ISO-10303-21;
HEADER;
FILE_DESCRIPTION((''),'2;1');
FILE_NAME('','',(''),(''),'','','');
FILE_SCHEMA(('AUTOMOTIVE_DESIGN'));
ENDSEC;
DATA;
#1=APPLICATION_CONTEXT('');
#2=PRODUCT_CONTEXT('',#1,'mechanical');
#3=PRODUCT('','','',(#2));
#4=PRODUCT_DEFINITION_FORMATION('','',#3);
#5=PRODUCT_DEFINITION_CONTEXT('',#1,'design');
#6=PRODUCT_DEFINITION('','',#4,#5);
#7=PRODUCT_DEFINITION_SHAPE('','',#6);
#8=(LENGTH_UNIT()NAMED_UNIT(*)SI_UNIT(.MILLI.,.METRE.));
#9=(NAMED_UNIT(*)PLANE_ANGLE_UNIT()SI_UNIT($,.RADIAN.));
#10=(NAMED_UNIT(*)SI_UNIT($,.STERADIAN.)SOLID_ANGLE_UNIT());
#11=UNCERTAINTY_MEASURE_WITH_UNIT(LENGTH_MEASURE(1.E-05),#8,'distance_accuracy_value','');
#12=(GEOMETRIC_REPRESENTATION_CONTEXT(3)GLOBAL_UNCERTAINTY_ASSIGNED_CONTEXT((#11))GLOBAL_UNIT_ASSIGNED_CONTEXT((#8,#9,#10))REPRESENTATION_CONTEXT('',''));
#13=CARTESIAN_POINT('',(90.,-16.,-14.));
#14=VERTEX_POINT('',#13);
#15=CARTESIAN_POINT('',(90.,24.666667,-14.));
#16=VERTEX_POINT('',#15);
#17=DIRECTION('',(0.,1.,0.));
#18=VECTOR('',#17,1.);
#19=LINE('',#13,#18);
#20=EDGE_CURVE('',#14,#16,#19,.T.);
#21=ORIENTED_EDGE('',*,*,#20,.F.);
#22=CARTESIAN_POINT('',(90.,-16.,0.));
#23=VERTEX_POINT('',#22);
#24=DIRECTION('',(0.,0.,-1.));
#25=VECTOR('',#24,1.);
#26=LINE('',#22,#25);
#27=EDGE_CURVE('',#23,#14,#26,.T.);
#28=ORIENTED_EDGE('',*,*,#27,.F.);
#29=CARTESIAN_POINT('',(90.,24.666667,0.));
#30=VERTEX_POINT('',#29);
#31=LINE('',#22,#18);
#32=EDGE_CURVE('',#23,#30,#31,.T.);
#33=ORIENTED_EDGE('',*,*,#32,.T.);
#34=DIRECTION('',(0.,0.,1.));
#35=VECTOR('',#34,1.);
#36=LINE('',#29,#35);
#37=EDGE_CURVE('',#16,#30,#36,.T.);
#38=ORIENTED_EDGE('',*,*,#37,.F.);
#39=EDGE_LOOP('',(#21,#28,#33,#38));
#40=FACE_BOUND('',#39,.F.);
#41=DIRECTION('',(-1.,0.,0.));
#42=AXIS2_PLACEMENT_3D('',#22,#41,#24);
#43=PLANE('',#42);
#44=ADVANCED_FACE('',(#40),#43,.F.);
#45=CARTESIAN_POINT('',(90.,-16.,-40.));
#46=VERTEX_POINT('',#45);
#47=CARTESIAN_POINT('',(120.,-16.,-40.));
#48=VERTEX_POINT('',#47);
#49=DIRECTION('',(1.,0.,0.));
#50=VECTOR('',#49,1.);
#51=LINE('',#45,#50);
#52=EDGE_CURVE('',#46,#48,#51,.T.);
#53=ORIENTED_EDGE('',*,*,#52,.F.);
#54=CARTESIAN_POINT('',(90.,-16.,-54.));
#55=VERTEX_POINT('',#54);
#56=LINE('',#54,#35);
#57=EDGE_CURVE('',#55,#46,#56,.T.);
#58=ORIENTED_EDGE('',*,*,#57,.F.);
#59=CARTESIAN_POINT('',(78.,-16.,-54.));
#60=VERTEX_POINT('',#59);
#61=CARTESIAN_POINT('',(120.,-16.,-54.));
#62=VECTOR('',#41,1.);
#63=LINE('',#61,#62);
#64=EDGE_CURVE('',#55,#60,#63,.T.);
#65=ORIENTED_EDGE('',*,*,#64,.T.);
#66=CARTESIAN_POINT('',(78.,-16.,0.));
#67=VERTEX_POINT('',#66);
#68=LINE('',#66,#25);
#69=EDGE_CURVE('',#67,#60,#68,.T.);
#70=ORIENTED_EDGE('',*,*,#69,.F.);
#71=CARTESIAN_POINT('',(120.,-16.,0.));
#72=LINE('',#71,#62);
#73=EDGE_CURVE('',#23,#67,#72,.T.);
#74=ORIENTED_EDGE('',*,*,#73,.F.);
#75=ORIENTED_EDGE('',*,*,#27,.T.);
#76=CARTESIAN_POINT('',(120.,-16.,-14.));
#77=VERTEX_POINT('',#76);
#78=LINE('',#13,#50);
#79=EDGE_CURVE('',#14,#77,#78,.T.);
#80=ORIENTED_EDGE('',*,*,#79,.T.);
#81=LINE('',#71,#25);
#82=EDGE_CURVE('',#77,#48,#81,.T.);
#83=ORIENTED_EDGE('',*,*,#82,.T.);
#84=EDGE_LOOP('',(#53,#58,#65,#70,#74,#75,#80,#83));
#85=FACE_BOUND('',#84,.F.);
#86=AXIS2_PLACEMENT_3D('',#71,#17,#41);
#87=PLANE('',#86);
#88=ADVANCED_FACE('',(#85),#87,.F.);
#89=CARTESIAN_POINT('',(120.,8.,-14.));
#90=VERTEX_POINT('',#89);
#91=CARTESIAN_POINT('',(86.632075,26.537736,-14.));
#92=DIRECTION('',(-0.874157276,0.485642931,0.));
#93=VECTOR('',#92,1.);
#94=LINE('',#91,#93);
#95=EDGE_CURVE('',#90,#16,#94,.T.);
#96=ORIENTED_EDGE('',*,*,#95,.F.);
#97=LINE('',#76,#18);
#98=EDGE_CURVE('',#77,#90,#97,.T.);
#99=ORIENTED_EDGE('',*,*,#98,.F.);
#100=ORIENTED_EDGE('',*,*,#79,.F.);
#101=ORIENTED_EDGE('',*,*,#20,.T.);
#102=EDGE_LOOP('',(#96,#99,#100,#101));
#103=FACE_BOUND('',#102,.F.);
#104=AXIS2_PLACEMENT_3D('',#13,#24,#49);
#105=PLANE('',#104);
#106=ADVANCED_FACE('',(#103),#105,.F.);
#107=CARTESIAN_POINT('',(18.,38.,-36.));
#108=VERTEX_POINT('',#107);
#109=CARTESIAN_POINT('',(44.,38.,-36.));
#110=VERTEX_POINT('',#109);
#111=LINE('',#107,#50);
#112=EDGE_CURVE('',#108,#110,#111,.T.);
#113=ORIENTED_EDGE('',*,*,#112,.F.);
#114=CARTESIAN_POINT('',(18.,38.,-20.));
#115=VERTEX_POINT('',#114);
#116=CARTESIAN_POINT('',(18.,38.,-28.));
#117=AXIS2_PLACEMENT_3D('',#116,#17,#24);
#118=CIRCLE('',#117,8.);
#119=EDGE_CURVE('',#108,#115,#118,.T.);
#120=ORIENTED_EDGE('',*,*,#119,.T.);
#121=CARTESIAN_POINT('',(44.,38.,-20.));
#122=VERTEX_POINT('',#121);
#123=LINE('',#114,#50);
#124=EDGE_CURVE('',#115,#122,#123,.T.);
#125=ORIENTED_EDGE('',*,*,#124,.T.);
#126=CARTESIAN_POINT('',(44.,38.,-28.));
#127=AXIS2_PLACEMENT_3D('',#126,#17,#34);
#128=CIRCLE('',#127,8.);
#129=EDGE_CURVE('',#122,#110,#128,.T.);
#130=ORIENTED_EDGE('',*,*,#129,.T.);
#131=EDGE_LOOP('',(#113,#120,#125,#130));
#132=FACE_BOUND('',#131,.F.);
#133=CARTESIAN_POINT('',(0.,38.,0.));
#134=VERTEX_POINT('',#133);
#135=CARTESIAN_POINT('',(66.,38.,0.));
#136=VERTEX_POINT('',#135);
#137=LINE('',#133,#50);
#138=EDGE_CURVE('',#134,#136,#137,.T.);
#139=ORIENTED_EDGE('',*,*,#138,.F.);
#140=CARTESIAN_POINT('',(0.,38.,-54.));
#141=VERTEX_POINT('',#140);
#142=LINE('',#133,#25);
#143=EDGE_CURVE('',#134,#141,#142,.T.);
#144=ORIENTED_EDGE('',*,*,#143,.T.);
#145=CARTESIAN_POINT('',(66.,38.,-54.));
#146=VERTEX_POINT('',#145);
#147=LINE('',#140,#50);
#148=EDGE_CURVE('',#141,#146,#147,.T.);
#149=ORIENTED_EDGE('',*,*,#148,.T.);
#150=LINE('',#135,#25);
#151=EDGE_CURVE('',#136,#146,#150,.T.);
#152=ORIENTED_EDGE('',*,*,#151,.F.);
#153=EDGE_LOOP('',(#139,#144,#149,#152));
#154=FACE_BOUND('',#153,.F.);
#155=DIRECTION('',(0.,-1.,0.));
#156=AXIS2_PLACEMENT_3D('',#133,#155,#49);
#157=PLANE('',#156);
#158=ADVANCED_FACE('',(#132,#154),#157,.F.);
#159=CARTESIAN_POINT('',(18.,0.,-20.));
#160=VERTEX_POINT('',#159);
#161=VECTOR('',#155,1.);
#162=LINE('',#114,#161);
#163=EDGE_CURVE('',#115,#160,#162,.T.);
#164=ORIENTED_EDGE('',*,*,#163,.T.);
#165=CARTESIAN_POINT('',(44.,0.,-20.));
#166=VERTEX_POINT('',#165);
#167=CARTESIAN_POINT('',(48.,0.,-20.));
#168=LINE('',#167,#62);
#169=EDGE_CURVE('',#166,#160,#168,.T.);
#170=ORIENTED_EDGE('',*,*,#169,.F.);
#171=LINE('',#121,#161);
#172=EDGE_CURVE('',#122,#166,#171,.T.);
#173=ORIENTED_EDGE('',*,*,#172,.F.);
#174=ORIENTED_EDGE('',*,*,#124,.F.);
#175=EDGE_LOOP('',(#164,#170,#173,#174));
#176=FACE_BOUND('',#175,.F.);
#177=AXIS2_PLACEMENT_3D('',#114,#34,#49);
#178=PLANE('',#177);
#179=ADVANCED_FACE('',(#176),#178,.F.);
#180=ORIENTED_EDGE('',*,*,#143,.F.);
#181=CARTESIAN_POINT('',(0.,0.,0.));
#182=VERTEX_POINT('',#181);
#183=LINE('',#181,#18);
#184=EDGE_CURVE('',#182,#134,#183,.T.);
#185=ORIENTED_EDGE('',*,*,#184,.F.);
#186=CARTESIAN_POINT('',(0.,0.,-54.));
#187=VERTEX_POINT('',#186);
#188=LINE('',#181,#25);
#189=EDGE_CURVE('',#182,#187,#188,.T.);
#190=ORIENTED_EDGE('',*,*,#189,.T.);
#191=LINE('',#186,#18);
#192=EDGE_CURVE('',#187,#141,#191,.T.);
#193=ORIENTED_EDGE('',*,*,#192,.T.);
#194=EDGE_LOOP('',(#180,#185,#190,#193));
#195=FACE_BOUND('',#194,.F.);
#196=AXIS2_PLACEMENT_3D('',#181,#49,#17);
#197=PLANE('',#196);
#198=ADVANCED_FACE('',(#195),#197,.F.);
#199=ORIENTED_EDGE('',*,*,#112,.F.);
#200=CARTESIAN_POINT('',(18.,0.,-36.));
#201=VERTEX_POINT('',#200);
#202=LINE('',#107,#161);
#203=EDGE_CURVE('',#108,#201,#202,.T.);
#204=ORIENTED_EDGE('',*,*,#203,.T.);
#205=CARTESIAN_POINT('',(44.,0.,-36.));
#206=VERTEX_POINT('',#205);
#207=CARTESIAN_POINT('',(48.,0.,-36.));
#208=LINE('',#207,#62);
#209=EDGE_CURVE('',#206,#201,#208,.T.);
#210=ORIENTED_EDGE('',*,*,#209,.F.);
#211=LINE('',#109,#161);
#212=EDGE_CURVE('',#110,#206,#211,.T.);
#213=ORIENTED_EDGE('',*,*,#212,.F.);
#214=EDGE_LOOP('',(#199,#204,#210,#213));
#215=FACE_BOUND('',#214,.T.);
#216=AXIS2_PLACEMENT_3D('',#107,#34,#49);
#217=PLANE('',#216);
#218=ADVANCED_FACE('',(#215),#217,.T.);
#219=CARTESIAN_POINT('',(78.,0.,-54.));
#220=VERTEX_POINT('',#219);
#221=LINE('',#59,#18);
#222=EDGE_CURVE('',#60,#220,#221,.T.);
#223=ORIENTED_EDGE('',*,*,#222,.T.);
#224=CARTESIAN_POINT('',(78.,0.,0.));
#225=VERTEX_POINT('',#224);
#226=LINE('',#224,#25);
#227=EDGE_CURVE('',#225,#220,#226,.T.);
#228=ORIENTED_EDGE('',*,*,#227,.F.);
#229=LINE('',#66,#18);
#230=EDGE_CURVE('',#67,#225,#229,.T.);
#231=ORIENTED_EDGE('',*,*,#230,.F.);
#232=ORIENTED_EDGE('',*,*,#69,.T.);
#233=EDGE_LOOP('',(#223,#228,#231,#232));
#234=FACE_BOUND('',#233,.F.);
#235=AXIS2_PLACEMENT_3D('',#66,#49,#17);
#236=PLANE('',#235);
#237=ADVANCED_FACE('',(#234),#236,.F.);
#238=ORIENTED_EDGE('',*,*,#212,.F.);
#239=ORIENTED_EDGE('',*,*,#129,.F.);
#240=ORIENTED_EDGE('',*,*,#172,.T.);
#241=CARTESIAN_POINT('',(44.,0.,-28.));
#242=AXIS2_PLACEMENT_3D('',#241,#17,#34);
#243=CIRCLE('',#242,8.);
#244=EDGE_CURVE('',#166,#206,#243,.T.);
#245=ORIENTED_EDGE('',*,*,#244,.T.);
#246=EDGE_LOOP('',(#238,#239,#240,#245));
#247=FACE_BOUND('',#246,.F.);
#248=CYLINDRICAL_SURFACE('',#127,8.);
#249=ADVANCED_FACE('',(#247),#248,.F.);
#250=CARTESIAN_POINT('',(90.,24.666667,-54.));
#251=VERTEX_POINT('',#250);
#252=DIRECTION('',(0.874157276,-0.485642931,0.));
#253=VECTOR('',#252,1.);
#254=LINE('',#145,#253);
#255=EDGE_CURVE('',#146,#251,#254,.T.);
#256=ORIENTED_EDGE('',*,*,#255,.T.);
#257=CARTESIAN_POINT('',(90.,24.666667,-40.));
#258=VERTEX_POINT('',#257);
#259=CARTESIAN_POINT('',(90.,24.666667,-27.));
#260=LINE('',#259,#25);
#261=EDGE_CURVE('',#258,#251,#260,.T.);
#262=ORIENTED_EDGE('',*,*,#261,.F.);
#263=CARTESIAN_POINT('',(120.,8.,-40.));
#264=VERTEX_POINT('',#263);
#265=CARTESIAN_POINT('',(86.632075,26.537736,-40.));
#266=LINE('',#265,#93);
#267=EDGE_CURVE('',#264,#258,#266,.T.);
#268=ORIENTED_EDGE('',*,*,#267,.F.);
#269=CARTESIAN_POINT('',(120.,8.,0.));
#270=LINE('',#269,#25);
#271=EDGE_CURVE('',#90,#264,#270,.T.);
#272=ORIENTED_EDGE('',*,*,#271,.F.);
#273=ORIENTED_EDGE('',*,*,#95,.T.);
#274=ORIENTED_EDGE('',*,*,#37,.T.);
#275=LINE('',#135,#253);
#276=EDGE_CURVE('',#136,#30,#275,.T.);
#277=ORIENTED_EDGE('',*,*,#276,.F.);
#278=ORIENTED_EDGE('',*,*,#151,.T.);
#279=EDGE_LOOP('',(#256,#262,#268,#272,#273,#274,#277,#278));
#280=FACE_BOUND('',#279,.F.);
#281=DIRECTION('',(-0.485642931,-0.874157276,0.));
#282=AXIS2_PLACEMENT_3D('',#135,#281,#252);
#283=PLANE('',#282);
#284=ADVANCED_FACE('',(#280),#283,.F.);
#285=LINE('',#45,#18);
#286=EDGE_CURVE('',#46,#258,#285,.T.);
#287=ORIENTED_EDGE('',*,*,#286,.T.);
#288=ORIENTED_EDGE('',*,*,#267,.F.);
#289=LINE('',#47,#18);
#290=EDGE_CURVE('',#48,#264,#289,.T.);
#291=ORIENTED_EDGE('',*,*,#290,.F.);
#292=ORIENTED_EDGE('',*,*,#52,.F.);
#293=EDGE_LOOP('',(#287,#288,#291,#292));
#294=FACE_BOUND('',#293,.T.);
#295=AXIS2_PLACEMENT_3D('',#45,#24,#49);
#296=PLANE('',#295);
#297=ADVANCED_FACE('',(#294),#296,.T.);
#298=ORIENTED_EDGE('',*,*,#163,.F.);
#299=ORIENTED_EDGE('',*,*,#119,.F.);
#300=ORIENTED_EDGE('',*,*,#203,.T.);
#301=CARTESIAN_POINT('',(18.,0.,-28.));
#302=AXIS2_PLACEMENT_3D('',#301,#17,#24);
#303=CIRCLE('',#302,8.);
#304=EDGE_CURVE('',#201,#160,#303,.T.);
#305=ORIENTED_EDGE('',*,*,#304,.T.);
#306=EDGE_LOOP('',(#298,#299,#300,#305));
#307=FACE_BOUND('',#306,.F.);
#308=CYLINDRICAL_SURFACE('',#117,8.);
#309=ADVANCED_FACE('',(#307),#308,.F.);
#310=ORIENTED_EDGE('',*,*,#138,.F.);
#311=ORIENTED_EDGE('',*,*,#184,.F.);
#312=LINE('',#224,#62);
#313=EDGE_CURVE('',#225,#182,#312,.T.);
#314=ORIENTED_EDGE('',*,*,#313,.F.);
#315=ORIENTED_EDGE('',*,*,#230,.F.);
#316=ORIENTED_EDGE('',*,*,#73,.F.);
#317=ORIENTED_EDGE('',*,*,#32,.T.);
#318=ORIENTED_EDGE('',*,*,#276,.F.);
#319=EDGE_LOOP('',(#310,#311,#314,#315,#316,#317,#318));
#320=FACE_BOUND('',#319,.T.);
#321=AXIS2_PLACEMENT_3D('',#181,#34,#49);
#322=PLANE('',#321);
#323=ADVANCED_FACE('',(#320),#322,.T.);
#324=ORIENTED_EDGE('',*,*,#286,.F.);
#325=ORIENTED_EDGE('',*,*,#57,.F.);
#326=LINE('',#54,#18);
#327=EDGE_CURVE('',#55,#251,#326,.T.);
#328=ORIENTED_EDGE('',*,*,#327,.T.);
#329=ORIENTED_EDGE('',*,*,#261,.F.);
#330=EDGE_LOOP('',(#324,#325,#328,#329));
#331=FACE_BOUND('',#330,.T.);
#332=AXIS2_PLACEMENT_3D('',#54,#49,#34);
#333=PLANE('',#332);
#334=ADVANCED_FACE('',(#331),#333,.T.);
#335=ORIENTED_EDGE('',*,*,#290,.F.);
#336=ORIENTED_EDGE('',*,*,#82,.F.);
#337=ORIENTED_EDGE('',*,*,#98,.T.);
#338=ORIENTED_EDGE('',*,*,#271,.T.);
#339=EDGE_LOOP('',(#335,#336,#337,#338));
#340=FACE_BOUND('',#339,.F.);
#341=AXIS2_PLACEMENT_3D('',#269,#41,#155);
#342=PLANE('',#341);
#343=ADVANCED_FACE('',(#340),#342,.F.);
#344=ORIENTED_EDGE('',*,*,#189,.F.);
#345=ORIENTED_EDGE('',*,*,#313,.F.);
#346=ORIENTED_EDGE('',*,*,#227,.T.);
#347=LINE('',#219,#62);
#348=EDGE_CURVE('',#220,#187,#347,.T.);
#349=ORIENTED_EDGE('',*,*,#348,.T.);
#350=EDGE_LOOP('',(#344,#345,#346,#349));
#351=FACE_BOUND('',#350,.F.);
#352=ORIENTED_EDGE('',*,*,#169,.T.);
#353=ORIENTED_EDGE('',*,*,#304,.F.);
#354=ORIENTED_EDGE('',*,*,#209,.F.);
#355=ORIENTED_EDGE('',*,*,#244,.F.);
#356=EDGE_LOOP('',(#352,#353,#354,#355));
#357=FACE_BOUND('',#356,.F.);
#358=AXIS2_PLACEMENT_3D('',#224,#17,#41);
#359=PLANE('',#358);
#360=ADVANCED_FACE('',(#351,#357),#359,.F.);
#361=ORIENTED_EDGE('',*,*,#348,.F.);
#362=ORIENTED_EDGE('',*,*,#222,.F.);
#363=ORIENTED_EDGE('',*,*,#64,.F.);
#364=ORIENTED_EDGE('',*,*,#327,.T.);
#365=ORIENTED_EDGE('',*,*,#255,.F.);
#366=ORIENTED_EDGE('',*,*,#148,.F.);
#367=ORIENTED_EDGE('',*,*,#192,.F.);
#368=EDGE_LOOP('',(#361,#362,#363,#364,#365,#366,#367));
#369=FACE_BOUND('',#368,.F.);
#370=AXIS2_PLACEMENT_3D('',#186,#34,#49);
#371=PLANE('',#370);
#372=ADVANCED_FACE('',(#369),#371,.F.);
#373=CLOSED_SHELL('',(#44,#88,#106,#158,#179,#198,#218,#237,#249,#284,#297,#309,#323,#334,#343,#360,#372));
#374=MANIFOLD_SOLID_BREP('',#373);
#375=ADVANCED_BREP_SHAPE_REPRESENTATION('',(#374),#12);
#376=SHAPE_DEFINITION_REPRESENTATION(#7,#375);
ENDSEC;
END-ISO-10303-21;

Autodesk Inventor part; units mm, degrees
ref_plane "YZ Plane" through (0, 0, 0) normal (1, 0, 0) x (0, 1, 0)
ref_plane "XZ Plane" through (0, 0, 0) normal (0, 1, 0) x (-1, 0, 0)
ref_plane "XY Plane" through (0, 0, 0) normal (0, 0, 1) x (1, 0, 0)
sketch "草圖1" plane through (0, 0, 0) normal (0, 0, 1) x (1, 0, 0)
  line L0 (0, 0) -> (0, 38)
  line L1 (0, 38) -> (66, 38)
  line L2 (66, 38) -> (120, 8)
  line L3 (120, 8) -> (120, -16)
  line L4 (120, -16) -> (78, -16)
  line L5 (78, -16) -> (78, 0)
  line L6 (78, 0) -> (0, 0)
  dimension "d0" = 54
  dimension "d1" = 38
  dimension "d2" = 24
  dimension "d3" = 42
  dimension "d4" = 66
  dimension "d5" = 120
extrude "擠出1" add sketch "草圖1" against normal blind 54
sketch "草圖2" plane through (0, 38, 0) normal (0, 1, 0) x (1, 0, 0)
  arc A0 (18, 36) -> (18, 20) centre (18, 28) ccw
  line L0 (18, 36) -> (44, 36)
  line L1 (18, 20) -> (44, 20)
  arc A1 (44, 20) -> (44, 36) centre (44, 28) ccw
  line L2 (0, 0) -> (66, 0) projected
  line L3 (0, 0) -> (0, 54) projected
  dimension "d8" = 28
  dimension "d9" = 16
  dimension "d10" = 18
  dimension "d11" = 26
extrude "擠出2" cut sketch "草圖2" against normal up to next
sketch "草圖3" plane through (78, -16, 0) normal (0, -1, 0) x (1, 0, 0)
  line L0 (12, -54) -> (12, -40)
  line L1 (12, -40) -> (42, -40)
  line L2 (42, -40) -> (42, -54)
  line L3 (42, -54) -> (12, -54)
  line L4 (42, 0) -> (42, -54) projected
  line L5 (42, -27) -> (-15.5842, -27)
  line L6 (12, 0) -> (12, -14)
  line L7 (12, -14) -> (42, -14)
  line L8 (42, -14) -> (42, 0)
  line L9 (42, 0) -> (12, 0)
  line L10 (42, -54) -> (42, 0)
  point P0 (-78, 0)
  point P1 (0, 0)
  point P2 (0, -54)
  point P3 (0, 0)
  dimension "d18" = 30
  dimension "d19" = 14
extrude "擠出3" cut sketch "草圖3" against normal up to next
properties part number "410571040-T1"
